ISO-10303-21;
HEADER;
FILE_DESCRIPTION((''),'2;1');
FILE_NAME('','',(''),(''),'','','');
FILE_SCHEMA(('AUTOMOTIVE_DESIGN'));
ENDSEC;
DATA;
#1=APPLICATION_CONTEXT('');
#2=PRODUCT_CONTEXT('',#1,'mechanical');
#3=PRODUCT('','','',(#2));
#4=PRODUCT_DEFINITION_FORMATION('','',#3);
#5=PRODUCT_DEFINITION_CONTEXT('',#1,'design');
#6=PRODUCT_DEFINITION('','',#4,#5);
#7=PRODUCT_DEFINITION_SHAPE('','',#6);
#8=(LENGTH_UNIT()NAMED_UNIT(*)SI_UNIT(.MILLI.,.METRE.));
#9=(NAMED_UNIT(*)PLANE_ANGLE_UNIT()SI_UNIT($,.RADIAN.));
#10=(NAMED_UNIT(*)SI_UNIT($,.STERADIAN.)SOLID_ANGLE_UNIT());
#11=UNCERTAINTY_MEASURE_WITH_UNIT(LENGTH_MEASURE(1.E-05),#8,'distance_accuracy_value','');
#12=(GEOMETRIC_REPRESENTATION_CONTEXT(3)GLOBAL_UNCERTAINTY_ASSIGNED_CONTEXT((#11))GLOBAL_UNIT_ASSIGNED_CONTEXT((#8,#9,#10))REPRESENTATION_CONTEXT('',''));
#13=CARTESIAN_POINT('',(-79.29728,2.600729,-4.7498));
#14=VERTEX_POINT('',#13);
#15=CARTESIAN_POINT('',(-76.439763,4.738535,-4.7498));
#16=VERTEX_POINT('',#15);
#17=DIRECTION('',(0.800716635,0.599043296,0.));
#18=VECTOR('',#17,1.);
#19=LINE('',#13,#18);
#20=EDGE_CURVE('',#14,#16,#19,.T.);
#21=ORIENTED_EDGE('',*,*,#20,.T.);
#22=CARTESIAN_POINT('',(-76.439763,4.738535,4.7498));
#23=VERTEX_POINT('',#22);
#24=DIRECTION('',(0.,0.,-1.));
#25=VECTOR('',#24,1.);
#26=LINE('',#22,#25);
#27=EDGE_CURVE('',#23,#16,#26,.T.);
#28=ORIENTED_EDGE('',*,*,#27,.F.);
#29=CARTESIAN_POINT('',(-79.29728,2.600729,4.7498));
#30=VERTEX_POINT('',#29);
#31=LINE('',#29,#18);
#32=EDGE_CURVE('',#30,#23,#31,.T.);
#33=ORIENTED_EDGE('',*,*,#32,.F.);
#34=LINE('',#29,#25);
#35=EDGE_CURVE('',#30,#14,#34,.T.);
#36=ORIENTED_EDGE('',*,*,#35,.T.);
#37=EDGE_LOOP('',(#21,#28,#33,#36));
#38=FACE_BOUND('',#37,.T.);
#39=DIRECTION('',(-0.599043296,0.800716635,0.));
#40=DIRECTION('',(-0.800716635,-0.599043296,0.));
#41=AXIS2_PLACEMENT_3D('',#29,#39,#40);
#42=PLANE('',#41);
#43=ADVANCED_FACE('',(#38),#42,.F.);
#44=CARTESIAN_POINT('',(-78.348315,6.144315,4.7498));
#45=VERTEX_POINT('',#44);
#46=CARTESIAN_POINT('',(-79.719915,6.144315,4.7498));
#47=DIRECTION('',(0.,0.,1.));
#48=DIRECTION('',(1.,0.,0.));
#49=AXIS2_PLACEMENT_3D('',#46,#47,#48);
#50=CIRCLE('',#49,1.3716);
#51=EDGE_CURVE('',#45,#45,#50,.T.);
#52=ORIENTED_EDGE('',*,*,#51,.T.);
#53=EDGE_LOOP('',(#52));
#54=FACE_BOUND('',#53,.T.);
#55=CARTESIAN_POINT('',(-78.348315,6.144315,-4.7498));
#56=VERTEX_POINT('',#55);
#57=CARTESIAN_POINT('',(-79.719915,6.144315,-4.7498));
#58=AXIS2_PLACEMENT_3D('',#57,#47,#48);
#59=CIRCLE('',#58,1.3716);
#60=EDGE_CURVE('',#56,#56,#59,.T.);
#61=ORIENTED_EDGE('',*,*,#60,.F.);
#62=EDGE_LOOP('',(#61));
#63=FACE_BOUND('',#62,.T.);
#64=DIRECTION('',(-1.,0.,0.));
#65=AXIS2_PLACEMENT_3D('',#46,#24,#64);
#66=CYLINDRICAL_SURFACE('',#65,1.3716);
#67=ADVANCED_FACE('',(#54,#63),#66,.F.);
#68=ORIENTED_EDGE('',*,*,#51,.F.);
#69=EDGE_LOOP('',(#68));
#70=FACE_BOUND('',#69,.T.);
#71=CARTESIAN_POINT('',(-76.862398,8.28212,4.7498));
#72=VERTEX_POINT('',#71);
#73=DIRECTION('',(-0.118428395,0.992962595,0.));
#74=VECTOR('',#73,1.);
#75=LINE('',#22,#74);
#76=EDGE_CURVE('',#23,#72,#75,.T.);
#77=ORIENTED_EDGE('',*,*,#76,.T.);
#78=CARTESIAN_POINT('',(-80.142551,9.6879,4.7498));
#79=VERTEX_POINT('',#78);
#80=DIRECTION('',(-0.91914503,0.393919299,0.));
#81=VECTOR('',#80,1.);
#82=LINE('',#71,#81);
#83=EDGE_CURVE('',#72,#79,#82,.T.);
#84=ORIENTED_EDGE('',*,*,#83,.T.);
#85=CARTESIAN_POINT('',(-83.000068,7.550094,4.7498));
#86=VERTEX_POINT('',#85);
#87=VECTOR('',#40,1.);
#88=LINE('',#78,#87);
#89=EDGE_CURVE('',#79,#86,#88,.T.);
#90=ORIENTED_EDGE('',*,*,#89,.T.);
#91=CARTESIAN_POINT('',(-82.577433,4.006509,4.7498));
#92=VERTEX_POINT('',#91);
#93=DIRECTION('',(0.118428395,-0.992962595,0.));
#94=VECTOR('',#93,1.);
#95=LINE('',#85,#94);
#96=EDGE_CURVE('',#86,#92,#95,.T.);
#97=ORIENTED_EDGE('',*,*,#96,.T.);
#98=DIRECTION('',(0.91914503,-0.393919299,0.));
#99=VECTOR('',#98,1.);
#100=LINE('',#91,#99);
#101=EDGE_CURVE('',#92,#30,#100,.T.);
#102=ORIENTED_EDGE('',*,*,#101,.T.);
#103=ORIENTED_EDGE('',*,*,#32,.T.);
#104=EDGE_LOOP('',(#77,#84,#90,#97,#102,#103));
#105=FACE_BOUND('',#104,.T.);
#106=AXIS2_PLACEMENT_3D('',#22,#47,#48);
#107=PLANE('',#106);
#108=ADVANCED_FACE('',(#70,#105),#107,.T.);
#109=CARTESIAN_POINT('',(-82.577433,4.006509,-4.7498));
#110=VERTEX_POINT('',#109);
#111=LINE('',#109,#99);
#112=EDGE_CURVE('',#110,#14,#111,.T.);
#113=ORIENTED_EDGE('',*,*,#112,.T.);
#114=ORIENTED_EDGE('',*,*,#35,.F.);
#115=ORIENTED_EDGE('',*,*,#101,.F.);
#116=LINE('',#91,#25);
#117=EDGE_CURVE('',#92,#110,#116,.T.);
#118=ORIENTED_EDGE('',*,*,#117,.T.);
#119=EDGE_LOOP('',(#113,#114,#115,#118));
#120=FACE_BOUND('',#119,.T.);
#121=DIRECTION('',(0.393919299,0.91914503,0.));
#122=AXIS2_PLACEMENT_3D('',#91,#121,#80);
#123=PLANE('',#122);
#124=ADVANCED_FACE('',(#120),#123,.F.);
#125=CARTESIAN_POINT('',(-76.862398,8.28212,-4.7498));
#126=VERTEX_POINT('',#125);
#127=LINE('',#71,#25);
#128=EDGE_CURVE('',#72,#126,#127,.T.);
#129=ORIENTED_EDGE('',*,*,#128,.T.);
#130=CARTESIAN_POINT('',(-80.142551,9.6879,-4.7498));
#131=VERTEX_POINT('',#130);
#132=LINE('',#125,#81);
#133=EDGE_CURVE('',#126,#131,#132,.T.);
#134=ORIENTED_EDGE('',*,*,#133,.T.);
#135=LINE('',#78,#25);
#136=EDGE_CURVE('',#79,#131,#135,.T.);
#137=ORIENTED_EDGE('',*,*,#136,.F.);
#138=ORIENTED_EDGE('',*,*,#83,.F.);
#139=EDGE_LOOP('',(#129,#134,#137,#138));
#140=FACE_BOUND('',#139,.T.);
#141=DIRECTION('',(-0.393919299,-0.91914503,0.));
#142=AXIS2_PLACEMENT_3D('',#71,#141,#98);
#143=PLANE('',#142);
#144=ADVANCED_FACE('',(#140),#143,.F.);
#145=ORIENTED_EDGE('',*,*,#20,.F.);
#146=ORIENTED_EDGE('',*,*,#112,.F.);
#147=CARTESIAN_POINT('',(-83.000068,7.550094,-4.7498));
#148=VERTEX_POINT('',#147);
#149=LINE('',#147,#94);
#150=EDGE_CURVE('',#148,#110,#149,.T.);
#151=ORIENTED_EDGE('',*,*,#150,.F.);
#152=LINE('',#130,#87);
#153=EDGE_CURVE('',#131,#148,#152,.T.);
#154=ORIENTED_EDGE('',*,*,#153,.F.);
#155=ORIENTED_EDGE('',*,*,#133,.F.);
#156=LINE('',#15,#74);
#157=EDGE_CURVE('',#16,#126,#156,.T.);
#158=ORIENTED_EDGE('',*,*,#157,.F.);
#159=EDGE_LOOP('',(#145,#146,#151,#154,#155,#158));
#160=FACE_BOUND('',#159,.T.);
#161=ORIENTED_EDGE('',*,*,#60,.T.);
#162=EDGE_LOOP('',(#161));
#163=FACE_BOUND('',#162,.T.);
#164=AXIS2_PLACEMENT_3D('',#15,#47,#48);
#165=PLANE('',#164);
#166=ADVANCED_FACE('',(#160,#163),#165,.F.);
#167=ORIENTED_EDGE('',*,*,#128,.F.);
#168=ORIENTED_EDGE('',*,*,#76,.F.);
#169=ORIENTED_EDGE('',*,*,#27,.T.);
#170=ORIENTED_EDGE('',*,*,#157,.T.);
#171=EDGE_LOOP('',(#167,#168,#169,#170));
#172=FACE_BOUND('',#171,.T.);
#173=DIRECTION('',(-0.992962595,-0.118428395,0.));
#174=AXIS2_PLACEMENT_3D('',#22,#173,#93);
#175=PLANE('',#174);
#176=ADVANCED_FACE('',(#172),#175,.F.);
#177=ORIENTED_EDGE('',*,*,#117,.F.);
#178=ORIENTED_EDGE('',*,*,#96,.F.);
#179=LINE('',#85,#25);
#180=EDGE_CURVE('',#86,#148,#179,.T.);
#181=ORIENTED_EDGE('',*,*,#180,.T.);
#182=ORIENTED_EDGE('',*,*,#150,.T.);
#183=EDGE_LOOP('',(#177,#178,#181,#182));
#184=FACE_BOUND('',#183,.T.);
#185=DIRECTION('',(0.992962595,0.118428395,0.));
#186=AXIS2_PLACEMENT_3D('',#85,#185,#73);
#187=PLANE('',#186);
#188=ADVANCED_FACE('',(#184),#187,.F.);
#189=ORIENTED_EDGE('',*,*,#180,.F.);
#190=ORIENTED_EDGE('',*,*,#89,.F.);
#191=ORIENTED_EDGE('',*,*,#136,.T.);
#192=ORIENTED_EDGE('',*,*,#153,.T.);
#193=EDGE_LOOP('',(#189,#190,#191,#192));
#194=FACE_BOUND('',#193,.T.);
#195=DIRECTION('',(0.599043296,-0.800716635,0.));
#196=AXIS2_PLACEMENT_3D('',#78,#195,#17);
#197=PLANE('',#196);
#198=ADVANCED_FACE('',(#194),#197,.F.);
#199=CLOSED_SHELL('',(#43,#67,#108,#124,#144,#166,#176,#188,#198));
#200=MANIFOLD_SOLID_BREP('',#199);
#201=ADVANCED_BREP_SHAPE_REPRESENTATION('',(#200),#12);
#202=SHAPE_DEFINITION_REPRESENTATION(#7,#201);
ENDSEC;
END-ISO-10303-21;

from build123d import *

# Parameters (mm, degrees)
SKETCH7_R           = 1.3716
BOSS_EXTRUDE4_DEPTH = 4.7498


with BuildPart() as part:
    # Sketch7 → Boss-Extrude4 (new, symmetric)
    with BuildSketch(Plane.XY):
        Polygon((-76.439762625, 4.738534743), (-76.86239804, 8.282120356), (-80.142550908, 9.687900156), (-83.000068362, 7.550094344), (-82.577432948, 4.006508731), (-79.297280079, 2.600728931), align=None)
        with Locations((-79.719915494, 6.144314544)):
            Circle(SKETCH7_R, mode=Mode.SUBTRACT)
    extrude(amount=BOSS_EXTRUDE4_DEPTH, both=True)


solid = part.part
